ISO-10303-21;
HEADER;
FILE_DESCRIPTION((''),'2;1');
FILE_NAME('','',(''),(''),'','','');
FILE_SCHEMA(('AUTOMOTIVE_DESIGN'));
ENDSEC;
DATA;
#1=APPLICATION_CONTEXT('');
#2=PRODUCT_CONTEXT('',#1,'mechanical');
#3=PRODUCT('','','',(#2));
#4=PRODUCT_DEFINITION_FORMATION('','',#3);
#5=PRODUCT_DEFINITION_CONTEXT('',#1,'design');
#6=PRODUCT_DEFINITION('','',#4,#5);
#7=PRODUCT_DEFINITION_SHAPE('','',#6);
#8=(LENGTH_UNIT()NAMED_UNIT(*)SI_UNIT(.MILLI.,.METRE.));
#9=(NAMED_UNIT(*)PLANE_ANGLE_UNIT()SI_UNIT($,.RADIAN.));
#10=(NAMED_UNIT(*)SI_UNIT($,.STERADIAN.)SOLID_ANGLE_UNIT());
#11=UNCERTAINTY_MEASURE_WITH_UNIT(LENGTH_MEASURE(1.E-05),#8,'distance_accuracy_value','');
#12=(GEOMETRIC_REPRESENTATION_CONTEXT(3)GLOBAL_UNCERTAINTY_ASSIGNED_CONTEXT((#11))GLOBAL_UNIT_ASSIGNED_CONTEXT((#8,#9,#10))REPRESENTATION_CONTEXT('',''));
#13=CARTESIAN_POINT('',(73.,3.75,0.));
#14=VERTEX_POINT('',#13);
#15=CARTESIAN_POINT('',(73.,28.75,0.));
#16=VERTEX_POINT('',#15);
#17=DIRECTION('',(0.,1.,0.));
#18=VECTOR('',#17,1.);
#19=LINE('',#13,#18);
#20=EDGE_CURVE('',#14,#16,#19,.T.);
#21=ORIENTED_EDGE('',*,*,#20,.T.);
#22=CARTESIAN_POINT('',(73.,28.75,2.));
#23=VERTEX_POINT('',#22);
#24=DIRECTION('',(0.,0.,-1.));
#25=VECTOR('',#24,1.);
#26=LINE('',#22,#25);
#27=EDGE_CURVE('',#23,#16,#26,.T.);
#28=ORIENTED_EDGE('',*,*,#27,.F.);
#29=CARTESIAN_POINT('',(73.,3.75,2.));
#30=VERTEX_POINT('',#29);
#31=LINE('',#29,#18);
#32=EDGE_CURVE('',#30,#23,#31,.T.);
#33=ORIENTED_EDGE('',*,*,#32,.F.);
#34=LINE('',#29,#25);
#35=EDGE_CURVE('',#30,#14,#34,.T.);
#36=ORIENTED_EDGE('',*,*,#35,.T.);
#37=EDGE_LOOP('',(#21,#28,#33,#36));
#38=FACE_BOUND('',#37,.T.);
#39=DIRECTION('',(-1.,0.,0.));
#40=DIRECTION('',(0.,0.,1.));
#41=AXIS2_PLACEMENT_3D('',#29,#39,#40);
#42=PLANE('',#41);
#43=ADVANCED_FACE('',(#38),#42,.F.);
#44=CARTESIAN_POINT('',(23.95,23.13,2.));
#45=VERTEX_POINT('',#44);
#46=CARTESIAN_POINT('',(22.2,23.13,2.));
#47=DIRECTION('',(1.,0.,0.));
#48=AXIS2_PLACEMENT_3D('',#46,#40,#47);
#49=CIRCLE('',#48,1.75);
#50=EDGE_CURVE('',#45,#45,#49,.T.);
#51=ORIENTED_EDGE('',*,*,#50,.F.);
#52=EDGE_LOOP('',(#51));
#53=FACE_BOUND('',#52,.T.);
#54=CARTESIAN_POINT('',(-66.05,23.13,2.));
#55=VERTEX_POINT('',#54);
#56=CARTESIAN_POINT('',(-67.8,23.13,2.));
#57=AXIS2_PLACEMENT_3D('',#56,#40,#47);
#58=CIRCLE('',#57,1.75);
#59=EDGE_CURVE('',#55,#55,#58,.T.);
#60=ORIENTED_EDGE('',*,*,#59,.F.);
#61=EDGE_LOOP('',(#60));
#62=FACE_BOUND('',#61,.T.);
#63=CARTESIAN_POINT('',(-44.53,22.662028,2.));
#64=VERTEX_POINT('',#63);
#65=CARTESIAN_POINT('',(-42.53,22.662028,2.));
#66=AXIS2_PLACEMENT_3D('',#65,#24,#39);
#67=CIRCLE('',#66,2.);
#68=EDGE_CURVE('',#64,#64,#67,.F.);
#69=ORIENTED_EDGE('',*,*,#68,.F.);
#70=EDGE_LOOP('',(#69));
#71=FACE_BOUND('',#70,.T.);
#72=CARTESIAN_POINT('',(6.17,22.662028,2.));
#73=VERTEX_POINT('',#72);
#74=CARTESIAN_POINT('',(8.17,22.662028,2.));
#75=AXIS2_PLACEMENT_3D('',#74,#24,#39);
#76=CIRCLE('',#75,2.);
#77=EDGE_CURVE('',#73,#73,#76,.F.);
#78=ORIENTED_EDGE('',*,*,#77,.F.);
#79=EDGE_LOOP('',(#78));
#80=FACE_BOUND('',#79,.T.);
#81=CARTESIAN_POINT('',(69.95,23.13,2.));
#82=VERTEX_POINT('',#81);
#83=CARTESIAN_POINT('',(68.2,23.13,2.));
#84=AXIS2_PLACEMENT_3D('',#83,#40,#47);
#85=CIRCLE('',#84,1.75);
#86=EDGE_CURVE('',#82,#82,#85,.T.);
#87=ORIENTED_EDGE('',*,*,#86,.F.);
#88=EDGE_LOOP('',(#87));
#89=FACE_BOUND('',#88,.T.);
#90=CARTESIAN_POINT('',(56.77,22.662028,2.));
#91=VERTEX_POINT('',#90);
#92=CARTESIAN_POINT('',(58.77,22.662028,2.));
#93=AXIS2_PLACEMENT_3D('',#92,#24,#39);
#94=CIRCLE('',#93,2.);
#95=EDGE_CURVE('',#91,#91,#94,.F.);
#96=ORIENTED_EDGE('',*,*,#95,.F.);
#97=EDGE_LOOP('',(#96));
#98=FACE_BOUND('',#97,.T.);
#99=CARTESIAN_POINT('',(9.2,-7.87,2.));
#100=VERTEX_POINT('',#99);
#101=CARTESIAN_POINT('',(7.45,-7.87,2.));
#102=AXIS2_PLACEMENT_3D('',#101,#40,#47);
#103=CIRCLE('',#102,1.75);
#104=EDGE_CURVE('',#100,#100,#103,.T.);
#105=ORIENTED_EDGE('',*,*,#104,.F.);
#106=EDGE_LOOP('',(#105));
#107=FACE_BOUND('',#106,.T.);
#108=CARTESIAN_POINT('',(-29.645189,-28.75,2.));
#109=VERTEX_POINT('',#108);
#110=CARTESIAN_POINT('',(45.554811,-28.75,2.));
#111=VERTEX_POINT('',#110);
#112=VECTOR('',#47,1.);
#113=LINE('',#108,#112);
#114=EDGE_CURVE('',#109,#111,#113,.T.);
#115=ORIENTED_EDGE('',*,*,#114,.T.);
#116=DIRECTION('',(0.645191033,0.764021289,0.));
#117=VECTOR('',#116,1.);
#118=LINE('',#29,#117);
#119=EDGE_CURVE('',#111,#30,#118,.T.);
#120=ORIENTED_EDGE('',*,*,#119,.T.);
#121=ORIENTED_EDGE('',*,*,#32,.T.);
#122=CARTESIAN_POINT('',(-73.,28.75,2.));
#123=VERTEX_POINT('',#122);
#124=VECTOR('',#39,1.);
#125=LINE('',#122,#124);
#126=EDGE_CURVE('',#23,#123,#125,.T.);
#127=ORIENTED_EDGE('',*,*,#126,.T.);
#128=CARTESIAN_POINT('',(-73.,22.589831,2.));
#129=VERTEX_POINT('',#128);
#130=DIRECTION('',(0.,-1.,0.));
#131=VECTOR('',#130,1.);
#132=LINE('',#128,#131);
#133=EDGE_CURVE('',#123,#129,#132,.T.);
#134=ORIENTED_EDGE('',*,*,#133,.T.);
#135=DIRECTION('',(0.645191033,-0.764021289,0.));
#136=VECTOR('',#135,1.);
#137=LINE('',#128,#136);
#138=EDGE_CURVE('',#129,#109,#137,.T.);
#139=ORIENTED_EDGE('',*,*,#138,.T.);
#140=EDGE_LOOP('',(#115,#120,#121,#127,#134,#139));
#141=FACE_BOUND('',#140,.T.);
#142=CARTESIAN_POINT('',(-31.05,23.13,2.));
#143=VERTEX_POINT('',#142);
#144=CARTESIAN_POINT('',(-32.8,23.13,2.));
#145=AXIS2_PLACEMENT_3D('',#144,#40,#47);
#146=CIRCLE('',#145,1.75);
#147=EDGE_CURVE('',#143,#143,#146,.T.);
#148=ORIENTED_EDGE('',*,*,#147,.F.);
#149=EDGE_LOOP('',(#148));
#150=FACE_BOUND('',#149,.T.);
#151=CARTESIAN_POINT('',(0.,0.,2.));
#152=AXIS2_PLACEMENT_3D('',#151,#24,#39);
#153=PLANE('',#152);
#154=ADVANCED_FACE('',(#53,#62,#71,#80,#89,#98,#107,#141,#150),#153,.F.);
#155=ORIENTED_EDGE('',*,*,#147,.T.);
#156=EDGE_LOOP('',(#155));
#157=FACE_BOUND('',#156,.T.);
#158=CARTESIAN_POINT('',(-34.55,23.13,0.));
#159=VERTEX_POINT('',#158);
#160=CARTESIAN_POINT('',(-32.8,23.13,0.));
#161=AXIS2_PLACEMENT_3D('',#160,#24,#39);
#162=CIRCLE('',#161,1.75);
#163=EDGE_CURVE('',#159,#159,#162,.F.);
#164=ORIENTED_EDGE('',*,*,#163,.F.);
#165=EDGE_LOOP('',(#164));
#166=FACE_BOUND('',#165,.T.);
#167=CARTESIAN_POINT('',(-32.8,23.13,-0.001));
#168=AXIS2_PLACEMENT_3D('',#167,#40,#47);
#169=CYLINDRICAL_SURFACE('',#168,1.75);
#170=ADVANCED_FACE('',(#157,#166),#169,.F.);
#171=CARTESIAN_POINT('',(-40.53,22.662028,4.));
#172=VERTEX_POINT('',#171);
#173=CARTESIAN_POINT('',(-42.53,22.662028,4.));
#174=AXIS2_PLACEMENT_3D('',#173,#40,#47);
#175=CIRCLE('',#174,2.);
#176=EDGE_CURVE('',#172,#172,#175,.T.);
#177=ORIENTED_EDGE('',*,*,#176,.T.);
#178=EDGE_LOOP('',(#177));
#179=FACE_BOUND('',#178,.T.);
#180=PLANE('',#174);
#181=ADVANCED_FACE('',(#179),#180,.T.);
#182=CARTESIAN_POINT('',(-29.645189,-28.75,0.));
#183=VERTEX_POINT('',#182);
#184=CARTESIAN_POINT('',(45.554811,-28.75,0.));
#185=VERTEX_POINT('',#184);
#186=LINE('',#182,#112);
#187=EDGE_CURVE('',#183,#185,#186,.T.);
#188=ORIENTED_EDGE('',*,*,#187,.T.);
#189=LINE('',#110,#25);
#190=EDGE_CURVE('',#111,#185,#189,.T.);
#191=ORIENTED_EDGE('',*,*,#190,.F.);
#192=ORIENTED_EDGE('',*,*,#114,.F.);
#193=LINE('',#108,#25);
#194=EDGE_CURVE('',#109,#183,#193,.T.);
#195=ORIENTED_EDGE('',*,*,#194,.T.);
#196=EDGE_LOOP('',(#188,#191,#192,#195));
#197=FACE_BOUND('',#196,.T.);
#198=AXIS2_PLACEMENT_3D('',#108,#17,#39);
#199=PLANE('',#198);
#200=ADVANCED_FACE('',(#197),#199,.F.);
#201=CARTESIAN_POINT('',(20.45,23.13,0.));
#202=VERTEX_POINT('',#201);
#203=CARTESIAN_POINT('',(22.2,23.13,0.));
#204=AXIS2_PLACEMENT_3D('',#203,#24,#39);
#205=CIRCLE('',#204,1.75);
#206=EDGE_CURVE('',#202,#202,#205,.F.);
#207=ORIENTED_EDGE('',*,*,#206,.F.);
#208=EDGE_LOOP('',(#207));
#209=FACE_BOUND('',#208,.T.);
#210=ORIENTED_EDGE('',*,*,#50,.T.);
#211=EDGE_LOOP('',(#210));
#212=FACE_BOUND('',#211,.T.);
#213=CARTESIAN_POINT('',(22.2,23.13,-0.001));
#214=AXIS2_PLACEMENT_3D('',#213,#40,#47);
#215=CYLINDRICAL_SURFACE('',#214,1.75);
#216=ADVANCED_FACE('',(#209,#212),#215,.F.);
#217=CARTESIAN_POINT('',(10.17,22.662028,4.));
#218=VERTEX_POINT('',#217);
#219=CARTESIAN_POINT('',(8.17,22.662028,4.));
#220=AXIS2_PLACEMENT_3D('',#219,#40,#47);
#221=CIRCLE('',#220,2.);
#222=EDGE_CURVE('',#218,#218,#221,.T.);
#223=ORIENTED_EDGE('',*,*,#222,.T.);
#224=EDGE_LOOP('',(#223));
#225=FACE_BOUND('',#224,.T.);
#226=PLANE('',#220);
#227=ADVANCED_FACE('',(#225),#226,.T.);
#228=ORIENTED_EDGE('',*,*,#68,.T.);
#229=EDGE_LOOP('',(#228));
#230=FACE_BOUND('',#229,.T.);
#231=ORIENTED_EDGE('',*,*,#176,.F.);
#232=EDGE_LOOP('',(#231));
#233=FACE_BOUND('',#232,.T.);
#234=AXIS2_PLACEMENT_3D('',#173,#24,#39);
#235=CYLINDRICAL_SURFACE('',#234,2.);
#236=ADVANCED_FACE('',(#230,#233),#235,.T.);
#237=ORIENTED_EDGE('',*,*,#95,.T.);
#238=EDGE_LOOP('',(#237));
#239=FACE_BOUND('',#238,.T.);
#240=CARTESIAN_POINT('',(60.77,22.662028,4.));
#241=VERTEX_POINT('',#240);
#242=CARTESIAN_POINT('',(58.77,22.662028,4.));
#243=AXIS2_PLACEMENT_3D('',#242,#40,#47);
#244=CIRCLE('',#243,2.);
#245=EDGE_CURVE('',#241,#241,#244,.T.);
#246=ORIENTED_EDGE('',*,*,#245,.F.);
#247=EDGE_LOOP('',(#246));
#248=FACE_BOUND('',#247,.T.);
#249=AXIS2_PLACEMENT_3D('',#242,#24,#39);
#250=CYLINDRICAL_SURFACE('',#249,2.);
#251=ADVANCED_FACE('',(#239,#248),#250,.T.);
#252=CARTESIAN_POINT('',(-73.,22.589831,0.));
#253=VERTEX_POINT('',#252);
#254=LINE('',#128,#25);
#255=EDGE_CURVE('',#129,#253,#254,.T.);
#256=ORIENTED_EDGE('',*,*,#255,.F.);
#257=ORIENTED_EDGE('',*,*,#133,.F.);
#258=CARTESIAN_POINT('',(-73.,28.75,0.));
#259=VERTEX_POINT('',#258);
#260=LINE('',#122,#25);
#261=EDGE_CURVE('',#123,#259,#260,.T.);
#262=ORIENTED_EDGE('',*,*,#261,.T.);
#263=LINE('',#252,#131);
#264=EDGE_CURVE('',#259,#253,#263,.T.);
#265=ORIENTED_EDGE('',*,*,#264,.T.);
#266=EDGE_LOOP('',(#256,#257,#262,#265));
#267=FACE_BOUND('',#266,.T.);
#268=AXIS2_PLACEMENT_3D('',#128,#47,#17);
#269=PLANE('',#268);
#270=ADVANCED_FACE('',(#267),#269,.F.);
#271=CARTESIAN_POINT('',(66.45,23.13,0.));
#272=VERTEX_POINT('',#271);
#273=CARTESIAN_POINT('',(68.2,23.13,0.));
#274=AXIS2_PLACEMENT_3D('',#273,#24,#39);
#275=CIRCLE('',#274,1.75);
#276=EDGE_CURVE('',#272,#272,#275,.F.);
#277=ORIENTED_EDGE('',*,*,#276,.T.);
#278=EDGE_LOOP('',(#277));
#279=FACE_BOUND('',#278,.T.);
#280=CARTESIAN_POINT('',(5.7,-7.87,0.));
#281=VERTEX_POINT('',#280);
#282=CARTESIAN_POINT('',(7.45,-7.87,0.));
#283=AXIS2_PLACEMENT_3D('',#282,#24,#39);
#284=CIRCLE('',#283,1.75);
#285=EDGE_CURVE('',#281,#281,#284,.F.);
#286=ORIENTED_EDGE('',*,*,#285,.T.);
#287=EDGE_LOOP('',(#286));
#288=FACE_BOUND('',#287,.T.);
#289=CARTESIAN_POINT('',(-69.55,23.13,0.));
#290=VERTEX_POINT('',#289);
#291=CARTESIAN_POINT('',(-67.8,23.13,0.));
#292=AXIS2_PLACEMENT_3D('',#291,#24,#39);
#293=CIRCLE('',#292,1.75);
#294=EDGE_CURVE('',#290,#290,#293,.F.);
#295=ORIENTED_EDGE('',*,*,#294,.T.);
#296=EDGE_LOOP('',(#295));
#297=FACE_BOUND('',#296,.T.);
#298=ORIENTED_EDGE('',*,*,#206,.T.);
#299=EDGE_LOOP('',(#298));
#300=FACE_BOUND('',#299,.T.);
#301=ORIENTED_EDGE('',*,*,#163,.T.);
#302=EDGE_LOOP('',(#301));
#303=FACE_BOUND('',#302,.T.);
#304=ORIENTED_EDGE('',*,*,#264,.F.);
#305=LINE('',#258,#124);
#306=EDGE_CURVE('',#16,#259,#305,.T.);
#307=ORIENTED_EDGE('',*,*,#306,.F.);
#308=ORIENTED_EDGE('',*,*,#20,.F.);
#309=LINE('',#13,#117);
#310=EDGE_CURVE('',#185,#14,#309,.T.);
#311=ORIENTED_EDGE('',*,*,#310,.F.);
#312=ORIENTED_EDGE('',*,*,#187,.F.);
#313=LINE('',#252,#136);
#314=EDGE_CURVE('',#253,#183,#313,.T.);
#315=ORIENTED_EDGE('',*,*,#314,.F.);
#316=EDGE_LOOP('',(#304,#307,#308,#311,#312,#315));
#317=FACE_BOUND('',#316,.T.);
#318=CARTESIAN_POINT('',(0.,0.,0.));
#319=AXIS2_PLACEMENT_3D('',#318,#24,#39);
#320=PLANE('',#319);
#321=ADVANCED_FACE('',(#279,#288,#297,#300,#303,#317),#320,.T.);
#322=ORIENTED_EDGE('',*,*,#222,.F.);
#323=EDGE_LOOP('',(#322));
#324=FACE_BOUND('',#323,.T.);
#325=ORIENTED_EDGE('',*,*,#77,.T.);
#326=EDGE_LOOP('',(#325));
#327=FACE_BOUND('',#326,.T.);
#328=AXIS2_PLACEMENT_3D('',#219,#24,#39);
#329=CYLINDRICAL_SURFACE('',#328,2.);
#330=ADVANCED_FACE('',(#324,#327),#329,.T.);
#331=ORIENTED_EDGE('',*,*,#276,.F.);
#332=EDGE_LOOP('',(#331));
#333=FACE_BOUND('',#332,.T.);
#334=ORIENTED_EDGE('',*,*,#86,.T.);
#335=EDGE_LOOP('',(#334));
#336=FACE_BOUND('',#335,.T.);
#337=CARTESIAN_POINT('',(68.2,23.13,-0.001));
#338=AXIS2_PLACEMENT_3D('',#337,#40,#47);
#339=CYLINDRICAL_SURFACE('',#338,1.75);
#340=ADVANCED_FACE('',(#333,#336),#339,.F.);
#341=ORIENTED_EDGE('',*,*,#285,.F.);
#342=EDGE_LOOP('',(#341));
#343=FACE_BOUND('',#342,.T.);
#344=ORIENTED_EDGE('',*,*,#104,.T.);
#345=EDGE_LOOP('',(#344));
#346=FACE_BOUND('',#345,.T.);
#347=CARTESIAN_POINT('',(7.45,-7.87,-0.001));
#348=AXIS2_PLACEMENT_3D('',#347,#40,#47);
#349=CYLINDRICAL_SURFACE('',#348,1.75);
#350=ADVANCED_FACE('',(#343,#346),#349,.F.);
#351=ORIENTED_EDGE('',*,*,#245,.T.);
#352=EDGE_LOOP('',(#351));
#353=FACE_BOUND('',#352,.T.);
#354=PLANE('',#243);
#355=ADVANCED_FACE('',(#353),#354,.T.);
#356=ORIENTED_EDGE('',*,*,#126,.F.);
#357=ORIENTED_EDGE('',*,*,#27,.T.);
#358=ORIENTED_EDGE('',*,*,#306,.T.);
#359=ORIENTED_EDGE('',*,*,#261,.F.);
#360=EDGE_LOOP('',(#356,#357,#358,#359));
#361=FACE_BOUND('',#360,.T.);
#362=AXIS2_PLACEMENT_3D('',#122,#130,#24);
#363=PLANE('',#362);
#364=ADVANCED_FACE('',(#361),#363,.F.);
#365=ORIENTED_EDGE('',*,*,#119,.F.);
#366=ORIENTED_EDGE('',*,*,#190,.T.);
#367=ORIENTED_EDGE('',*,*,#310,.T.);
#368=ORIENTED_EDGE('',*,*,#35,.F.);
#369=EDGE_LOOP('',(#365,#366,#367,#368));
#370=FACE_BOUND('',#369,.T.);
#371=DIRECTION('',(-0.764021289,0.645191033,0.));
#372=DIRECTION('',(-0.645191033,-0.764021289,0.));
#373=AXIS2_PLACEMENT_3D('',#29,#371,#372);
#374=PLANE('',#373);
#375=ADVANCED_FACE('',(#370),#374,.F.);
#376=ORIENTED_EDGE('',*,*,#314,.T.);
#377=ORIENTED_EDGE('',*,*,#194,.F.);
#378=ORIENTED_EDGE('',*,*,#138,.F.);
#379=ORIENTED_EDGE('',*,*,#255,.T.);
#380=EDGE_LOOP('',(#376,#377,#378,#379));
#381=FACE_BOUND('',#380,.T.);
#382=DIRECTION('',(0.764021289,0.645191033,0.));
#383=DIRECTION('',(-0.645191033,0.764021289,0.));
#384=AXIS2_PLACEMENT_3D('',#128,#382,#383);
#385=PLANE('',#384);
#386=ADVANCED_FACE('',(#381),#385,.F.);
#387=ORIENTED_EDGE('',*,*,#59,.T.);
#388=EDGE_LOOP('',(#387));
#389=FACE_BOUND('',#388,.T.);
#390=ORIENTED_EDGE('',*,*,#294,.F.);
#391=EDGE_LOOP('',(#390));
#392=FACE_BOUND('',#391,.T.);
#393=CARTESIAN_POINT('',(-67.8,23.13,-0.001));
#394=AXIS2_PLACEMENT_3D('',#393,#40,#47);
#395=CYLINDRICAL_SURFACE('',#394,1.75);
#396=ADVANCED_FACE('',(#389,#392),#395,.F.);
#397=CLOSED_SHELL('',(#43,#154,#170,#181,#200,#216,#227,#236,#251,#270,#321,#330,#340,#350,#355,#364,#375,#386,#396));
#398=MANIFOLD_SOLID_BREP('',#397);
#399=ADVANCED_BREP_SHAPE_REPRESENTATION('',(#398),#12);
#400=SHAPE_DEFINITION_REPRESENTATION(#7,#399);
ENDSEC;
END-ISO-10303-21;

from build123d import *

# Parameters (mm, degrees)
RESSALTO_EXTRUS_O1_DEPTH = 2
CORTE_EXTRUS_O1_REACH    = 4
ESBO_O2_R                = 1.75
ESBO_O3_R                = 2
RESSALTO_EXTRUS_O2_DEPTH = 2


with BuildPart() as part:
    # Esboço1 → Ressalto-extrusão1 (new body)
    with BuildSketch(Plane.XY):
        Polygon((-73, 22.58983114), (-29.645188864, -28.75), (45.554811136, -28.75), (73, 3.75), (73, 28.75), (-73, 28.75), align=None)
    extrude(amount=RESSALTO_EXTRUS_O1_DEPTH)

    # Esboço2 → Corte-extrusão1 (cut, up to next)
    with BuildSketch(Plane.XY.offset(2), mode=Mode.PRIVATE) as corte_extrus_o1_sk1:
        with Locations((22.2, 23.13)):
            Circle(ESBO_O2_R)
    corte_extrus_o1_tool1 = extrude(corte_extrus_o1_sk1.sketch, amount=-CORTE_EXTRUS_O1_REACH, mode=Mode.PRIVATE) & part.part
    add(corte_extrus_o1_tool1.solids().sort_by_distance((22.2, 23.13, 2))[0], mode=Mode.SUBTRACT)
    # Esboço2 → Corte-extrusão1 (cut, up to next)
    with BuildSketch(Plane.XY.offset(2), mode=Mode.PRIVATE) as corte_extrus_o1_sk2:
        with Locations((68.2, 23.13)):
            Circle(ESBO_O2_R)
    corte_extrus_o1_tool2 = extrude(corte_extrus_o1_sk2.sketch, amount=-CORTE_EXTRUS_O1_REACH, mode=Mode.PRIVATE) & part.part
    add(corte_extrus_o1_tool2.solids().sort_by_distance((68.2, 23.13, 2))[0], mode=Mode.SUBTRACT)
    # Esboço2 → Corte-extrusão1 (cut, up to next)
    with BuildSketch(Plane.XY.offset(2), mode=Mode.PRIVATE) as corte_extrus_o1_sk3:
        with Locations((-32.8, 23.13)):
            Circle(ESBO_O2_R)
    corte_extrus_o1_tool3 = extrude(corte_extrus_o1_sk3.sketch, amount=-CORTE_EXTRUS_O1_REACH, mode=Mode.PRIVATE) & part.part
    add(corte_extrus_o1_tool3.solids().sort_by_distance((-32.8, 23.13, 2))[0], mode=Mode.SUBTRACT)
    # Esboço2 → Corte-extrusão1 (cut, up to next)
    with BuildSketch(Plane.XY.offset(2), mode=Mode.PRIVATE) as corte_extrus_o1_sk4:
        with Locations((-67.8, 23.13)):
            Circle(ESBO_O2_R)
    corte_extrus_o1_tool4 = extrude(corte_extrus_o1_sk4.sketch, amount=-CORTE_EXTRUS_O1_REACH, mode=Mode.PRIVATE) & part.part
    add(corte_extrus_o1_tool4.solids().sort_by_distance((-67.8, 23.13, 2))[0], mode=Mode.SUBTRACT)
    # Esboço2 → Corte-extrusão1 (cut, up to next)
    with BuildSketch(Plane.XY.offset(2), mode=Mode.PRIVATE) as corte_extrus_o1_sk5:
        with Locations((7.45, -7.87)):
            Circle(ESBO_O2_R)
    corte_extrus_o1_tool5 = extrude(corte_extrus_o1_sk5.sketch, amount=-CORTE_EXTRUS_O1_REACH, mode=Mode.PRIVATE) & part.part
    add(corte_extrus_o1_tool5.solids().sort_by_distance((7.45, -7.87, 2))[0], mode=Mode.SUBTRACT)

    # Esboço3 → Ressalto-extrusão2 (add)
    with BuildSketch(Plane.XY.offset(2)):
        with Locations((8.17, 22.662028239)):
            Circle(ESBO_O3_R)
        with Locations((58.77, 22.662028239)):
            Circle(ESBO_O3_R)
        with Locations((-42.53, 22.662028239)):
            Circle(ESBO_O3_R)
    extrude(amount=RESSALTO_EXTRUS_O2_DEPTH)


solid = part.part
